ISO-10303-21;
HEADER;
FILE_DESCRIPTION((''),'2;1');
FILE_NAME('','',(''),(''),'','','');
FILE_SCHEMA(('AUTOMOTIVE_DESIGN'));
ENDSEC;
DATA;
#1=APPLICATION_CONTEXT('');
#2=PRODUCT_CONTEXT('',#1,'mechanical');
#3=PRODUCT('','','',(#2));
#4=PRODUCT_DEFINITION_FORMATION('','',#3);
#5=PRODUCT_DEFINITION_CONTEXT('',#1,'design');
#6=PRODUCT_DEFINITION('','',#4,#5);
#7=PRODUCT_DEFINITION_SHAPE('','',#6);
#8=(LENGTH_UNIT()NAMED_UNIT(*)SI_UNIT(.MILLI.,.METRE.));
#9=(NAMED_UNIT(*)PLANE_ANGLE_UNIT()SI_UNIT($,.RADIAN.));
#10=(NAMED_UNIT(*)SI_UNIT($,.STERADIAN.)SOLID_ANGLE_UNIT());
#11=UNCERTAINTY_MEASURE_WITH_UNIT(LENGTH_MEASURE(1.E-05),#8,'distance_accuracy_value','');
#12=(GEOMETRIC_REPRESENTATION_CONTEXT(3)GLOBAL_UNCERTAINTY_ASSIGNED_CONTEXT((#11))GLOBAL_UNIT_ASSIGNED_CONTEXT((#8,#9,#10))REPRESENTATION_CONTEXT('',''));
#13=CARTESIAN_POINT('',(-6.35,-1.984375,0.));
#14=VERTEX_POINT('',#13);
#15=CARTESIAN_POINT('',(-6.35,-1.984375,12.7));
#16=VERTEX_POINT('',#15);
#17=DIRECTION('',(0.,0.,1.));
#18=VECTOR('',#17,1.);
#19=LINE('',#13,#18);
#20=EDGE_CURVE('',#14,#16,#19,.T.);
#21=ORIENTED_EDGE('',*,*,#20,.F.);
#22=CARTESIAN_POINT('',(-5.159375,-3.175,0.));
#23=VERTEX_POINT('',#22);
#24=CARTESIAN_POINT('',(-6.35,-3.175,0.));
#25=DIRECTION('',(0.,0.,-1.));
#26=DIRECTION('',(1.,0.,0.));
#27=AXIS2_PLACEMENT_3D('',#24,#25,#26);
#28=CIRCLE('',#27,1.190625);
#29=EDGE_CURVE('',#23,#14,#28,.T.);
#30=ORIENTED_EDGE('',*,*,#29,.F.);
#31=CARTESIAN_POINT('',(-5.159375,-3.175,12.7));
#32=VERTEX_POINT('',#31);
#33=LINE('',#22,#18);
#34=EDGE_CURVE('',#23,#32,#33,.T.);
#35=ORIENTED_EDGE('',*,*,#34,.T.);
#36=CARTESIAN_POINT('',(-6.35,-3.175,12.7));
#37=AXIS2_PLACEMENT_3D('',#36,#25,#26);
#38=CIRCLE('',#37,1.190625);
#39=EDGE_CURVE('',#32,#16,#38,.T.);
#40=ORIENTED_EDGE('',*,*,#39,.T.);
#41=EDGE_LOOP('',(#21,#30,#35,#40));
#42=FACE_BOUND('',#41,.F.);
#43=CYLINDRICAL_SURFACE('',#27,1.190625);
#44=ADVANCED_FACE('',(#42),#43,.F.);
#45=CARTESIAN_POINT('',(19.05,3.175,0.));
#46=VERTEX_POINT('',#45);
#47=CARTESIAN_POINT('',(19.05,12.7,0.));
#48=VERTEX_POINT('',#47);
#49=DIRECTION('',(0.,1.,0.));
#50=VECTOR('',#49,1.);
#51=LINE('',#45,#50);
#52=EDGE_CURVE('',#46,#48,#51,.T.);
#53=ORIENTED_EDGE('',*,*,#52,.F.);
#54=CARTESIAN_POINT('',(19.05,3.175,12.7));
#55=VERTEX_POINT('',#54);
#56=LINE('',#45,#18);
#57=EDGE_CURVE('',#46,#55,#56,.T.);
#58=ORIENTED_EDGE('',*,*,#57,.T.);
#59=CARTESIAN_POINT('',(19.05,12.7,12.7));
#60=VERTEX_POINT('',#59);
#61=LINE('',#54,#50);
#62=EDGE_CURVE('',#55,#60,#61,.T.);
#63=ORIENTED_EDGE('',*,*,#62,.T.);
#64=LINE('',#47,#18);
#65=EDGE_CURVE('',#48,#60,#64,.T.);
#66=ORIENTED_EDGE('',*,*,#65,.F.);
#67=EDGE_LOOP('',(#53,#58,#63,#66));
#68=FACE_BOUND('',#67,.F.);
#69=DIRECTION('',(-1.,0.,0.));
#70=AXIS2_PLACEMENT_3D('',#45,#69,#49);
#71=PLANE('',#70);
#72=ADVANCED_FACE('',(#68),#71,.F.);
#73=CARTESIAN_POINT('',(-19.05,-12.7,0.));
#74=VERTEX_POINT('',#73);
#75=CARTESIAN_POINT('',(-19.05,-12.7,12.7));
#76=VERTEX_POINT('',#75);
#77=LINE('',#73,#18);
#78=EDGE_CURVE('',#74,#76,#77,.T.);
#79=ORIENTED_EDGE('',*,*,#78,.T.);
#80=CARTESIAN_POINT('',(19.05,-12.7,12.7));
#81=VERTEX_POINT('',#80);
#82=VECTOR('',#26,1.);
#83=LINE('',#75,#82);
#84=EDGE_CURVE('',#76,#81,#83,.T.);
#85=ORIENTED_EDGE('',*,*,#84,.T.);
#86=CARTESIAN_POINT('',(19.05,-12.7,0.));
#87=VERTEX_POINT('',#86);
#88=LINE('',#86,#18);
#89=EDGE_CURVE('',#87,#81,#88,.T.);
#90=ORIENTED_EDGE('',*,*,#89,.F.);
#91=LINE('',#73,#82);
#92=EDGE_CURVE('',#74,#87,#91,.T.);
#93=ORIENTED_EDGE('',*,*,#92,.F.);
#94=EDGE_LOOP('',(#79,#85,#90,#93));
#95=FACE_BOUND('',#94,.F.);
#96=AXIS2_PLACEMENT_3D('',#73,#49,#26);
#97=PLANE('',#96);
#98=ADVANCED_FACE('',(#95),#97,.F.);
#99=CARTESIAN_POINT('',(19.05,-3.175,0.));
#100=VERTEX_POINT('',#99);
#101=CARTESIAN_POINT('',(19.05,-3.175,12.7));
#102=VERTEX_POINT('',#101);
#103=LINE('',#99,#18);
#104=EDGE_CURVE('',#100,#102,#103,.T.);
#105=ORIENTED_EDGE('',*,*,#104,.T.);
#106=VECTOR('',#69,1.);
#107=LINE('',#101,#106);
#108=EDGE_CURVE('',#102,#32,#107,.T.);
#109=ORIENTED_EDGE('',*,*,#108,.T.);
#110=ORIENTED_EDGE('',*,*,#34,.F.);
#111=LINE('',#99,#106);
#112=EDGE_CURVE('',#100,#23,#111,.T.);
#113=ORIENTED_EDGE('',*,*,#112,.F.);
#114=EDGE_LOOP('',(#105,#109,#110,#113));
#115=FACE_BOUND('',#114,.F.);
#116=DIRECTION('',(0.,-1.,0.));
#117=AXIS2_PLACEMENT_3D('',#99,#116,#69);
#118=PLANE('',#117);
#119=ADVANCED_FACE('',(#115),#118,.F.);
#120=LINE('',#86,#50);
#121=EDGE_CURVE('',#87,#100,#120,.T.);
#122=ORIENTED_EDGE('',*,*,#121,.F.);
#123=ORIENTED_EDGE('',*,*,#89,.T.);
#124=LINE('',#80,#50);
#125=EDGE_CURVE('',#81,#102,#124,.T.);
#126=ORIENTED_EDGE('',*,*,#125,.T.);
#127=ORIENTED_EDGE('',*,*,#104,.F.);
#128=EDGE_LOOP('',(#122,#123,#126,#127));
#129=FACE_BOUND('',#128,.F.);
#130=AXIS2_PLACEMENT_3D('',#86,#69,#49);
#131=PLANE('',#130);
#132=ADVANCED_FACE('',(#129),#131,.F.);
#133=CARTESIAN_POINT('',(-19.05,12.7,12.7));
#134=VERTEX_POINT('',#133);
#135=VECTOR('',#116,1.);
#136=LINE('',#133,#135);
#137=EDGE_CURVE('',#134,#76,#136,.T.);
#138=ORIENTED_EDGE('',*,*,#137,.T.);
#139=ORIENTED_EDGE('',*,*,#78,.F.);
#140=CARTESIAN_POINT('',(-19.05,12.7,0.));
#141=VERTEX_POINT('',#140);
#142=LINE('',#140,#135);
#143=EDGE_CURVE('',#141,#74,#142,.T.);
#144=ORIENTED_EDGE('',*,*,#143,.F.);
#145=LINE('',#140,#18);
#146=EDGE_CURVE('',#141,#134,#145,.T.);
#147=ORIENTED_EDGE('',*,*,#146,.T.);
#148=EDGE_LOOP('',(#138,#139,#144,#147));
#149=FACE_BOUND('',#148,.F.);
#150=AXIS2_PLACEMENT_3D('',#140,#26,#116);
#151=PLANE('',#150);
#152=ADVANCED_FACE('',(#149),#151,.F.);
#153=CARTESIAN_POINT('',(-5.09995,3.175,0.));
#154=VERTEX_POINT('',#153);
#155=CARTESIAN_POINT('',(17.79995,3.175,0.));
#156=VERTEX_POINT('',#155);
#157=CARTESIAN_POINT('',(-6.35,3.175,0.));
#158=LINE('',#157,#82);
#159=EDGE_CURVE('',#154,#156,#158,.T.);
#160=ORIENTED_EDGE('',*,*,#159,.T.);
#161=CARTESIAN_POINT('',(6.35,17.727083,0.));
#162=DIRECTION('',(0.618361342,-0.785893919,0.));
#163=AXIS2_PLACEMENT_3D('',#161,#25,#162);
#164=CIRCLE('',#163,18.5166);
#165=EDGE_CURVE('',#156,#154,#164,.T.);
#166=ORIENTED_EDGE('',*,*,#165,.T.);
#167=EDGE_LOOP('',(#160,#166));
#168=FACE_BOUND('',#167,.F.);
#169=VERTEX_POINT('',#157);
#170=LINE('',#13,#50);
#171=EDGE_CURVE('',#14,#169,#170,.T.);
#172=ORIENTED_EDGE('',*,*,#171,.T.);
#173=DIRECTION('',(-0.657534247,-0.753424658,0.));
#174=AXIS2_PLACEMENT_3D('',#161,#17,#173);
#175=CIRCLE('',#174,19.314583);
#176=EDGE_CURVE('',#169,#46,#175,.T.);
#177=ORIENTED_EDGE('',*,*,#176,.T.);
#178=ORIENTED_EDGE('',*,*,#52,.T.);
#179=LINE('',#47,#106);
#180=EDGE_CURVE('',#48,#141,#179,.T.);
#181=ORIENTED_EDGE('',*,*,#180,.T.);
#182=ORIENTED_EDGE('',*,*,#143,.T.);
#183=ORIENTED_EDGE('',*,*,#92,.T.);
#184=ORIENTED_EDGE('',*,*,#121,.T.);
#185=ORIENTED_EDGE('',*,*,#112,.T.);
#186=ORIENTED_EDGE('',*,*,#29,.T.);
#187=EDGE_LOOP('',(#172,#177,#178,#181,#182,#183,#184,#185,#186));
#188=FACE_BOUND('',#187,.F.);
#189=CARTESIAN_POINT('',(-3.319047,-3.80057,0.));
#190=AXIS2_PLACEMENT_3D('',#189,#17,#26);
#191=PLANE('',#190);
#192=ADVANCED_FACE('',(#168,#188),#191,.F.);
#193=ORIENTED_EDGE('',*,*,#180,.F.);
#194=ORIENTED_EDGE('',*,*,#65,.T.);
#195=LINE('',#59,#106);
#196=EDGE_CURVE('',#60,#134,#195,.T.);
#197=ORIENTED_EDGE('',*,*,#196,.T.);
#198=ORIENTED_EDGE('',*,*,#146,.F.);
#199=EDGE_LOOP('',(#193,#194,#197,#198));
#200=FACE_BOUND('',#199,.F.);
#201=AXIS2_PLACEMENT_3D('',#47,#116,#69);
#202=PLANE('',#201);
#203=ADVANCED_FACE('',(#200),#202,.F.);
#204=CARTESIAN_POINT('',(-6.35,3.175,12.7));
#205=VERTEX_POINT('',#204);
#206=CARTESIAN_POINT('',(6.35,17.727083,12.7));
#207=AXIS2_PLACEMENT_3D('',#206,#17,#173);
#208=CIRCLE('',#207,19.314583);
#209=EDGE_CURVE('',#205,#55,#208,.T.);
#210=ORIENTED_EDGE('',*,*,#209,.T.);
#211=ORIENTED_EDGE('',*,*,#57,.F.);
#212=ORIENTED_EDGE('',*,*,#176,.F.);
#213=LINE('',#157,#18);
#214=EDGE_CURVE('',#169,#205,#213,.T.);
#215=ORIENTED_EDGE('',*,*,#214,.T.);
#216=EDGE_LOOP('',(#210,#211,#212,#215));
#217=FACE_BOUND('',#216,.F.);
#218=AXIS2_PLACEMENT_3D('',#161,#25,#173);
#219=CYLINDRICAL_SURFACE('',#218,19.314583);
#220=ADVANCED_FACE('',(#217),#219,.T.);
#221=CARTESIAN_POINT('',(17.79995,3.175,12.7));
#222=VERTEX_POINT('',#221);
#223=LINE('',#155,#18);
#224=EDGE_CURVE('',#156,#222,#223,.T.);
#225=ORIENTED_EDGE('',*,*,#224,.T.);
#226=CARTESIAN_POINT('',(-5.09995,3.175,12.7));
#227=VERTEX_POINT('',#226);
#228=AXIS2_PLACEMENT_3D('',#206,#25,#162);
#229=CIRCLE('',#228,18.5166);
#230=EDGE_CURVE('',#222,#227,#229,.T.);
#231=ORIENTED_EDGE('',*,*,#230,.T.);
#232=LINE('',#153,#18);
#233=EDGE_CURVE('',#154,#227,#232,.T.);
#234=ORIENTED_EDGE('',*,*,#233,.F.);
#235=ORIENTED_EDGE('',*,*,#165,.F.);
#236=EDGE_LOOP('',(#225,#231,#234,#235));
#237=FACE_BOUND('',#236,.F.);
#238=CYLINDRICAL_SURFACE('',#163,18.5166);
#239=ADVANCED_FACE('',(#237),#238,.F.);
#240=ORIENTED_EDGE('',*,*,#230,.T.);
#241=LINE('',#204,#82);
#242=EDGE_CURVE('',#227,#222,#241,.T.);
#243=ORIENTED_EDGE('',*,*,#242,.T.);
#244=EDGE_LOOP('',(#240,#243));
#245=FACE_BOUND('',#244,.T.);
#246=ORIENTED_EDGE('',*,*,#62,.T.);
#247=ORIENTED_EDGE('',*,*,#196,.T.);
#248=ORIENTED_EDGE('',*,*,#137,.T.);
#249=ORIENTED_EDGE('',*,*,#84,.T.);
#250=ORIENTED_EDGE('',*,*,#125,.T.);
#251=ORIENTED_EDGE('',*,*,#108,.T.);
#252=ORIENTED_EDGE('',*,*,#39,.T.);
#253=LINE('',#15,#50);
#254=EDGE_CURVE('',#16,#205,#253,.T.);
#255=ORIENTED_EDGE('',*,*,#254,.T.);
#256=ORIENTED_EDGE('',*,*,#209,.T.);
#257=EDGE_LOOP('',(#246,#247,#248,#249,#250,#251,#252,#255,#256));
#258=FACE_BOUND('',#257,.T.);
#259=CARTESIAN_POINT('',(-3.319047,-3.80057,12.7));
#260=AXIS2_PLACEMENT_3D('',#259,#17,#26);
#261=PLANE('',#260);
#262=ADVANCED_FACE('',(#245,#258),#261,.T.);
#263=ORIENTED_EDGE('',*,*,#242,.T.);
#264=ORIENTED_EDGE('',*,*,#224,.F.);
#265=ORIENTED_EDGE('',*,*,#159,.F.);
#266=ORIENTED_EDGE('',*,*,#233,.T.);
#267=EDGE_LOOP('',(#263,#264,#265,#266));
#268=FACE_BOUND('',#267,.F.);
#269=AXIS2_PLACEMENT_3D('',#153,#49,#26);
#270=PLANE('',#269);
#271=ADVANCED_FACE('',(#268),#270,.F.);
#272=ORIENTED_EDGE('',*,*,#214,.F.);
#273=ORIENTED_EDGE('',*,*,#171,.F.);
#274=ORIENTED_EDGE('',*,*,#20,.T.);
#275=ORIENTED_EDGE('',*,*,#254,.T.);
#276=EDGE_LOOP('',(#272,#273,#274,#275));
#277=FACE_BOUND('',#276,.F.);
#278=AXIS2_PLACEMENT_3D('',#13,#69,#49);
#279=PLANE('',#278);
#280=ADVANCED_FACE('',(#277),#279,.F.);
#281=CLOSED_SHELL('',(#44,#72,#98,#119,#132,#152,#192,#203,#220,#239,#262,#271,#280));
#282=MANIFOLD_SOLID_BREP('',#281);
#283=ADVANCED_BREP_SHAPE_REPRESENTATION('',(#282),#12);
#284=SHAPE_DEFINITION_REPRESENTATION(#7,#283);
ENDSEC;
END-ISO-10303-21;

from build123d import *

# Parameters (mm, degrees)
F1_DEPTH = 12.7


with BuildPart() as f1:
    # F0 (on Top) → F1 (new body)
    with BuildSketch(Plane.XY):
        with BuildLine():
            Line((-19.05, 12.7), (-19.05, -12.7))
            Line((-19.05, -12.7), (19.05, -12.7))
            Line((19.05, -12.7), (19.05, -3.175))
            Line((19.05, -3.175), (-5.159375, -3.175))
            ThreePointArc((-5.159375, -3.175), (-7.1918990114, -4.0168990114), (-6.35, -1.984375))
            Line((-6.35, -1.984375), (-6.35, 3.175))
            ThreePointArc((-6.35, 3.175), (-10.0319970522, 7.4955975212), (-12.2989024476, 12.7))
            Line((-12.2989024476, 12.7), (-19.05, 12.7))
        make_face()
        with BuildLine():
            Line((-11.4711365721, 12.7), (-12.2989024476, 12.7))
            ThreePointArc((-12.2989024476, 12.7), (-10.0319970522, 7.4955975212), (-6.35, 3.175))
            Line((-6.35, 3.175), (-5.0999496165, 3.175))
            ThreePointArc((-5.0999496165, 3.175), (-9.0409235562, 7.4322327931), (-11.4711365721, 12.7))
        make_face()
        with BuildLine():
            Line((19.05, 12.7), (-11.4711365721, 12.7))
            ThreePointArc((-11.4711365721, 12.7), (-9.0409235562, 7.4322327931), (-5.0999496165, 3.175))
            Line((-5.0999496165, 3.175), (17.7999496165, 3.175))
            ThreePointArc((17.7999496165, 3.175), (18.4369792221, 3.6996313607), (19.05, 4.2521259842))
            Line((19.05, 4.2521259842), (19.05, 12.7))
        make_face()
        with BuildLine():
            Line((17.7999496165, 3.175), (19.05, 3.175))
            Line((19.05, 3.175), (19.05, 4.2521259842))
            ThreePointArc((19.05, 4.2521259842), (18.4369792221, 3.6996313607), (17.7999496165, 3.175))
        make_face()
        with BuildLine():
            ThreePointArc((-6.35, 3.175), (6.35, -1.5875), (19.05, 3.175))
            Line((19.05, 3.175), (17.7999496165, 3.175))
            ThreePointArc((17.7999496165, 3.175), (6.35, -0.7895166667), (-5.0999496165, 3.175))
            Line((-5.0999496165, 3.175), (-6.35, 3.175))
        make_face()
    extrude(amount=F1_DEPTH)


solid = f1.part
